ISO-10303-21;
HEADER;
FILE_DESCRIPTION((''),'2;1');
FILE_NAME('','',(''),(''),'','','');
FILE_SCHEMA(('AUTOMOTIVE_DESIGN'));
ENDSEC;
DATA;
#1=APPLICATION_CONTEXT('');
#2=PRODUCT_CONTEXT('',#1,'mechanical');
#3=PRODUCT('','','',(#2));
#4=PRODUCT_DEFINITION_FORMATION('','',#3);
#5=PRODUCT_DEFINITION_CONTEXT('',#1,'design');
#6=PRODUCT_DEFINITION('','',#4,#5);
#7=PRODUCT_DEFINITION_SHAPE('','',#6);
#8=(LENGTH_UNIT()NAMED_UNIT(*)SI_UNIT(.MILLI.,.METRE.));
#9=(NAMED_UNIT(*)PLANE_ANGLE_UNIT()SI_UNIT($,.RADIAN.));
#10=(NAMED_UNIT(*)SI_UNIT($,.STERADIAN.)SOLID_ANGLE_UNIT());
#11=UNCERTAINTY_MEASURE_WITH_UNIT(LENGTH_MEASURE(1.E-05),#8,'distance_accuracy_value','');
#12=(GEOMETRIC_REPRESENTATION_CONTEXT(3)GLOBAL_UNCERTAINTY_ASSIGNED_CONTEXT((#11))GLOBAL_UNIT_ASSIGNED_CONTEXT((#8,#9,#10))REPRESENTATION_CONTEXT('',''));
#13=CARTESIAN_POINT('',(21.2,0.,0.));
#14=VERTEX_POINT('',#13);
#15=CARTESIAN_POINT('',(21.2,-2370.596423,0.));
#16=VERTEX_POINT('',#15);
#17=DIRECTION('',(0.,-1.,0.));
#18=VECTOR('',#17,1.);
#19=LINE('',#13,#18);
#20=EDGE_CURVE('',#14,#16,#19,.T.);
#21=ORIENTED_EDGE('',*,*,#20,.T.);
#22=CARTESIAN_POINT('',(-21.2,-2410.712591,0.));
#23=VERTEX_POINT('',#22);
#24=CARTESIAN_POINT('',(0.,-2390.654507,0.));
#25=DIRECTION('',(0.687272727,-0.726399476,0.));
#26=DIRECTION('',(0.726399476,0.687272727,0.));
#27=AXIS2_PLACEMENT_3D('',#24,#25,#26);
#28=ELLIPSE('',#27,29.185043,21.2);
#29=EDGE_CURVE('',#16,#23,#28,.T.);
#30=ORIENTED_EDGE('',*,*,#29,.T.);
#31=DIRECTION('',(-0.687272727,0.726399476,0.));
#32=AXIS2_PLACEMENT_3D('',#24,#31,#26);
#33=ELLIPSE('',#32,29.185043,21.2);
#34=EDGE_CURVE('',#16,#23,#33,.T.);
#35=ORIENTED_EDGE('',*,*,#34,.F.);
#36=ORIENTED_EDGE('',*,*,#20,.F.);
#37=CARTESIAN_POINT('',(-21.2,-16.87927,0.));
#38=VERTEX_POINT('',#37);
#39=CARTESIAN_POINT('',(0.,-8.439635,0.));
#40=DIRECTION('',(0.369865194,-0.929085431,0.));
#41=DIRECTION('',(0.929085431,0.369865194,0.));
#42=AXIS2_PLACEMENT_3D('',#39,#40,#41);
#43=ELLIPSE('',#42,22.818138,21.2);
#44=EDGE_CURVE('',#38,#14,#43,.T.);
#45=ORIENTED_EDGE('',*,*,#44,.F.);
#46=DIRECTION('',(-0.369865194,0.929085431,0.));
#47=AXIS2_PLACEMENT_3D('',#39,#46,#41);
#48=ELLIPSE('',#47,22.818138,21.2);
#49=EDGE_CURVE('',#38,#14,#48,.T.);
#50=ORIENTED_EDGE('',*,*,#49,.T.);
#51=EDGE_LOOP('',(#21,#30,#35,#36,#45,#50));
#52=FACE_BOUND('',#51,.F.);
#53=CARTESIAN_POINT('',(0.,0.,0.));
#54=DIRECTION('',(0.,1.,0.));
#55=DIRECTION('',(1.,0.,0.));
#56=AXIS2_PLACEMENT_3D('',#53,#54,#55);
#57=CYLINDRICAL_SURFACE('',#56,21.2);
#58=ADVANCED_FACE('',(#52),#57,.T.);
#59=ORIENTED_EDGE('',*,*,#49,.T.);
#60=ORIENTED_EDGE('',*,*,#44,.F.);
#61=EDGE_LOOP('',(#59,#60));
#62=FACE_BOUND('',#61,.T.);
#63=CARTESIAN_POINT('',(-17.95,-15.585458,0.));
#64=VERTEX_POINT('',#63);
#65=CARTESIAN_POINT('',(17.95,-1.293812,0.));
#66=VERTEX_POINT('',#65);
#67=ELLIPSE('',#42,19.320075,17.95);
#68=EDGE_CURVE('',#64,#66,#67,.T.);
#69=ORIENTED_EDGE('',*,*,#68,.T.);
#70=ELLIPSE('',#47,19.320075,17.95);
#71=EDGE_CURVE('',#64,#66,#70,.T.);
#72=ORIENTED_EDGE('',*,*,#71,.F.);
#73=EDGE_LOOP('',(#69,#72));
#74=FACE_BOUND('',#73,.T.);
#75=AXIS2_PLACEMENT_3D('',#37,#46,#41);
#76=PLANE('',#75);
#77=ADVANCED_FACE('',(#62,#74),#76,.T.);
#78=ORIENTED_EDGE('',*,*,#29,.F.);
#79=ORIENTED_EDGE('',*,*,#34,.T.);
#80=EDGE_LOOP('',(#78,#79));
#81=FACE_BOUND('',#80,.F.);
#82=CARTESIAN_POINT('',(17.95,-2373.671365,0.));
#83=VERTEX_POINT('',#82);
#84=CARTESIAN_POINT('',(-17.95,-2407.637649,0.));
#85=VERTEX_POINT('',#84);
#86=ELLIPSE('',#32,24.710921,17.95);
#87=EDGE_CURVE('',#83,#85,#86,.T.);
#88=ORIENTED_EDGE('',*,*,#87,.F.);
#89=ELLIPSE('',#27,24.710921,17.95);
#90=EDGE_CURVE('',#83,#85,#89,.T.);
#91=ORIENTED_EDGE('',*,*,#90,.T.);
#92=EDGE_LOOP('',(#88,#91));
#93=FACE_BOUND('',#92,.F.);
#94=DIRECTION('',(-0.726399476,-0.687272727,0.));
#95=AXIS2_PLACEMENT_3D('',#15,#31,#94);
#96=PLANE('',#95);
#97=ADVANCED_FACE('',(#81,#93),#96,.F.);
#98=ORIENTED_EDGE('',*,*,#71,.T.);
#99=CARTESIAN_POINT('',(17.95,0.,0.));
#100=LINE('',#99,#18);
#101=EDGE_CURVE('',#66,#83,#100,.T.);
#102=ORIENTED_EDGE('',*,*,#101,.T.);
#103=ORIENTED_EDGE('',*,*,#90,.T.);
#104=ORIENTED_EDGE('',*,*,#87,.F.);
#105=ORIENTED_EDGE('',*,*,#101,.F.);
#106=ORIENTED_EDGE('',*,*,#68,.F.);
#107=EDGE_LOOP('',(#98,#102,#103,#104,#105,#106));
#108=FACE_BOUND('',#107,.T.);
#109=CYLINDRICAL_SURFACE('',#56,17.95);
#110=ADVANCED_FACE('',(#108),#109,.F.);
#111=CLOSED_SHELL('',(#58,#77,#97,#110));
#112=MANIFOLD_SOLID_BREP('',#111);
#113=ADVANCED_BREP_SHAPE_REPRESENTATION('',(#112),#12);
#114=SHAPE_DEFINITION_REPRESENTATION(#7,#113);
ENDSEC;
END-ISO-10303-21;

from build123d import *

# Parameters (mm, degrees)
F0_R          = 21.2
F0_R_2        = 17.95
F1_DEPTH      = 2500
F3_DEPTH      = 21.201
F3_DEPTH_BACK = 21.201
F5_DEPTH      = 21.201
F5_DEPTH_BACK = 21.201


with BuildPart() as f1:
    # F0 (on Front) → F1 (new body)
    with BuildSketch(Plane.XZ):
        Circle(F0_R)
        Circle(F0_R_2, mode=Mode.SUBTRACT)
    extrude(amount=F1_DEPTH)

    # F2 (on Top) → F3 (cut, two sides)
    with BuildSketch(Plane.XY) as f3_sk:
        Polygon((-21.2, 0), (-21.2, -16.8792704184), (21.2, 0), align=None)
    extrude(amount=-F3_DEPTH, mode=Mode.SUBTRACT)
    extrude(f3_sk.sketch, amount=F3_DEPTH_BACK, mode=Mode.SUBTRACT)

    # F4 (on Top) → F5 (cut, two sides)
    with BuildSketch(Plane.XY) as f5_sk:
        Polygon((21.2, -2500), (21.2, -2370.596422726), (-21.2, -2410.7125909795), (-21.2, -2500), align=None)
    extrude(amount=-F5_DEPTH, mode=Mode.SUBTRACT)
    extrude(f5_sk.sketch, amount=F5_DEPTH_BACK, mode=Mode.SUBTRACT)


solid = f1.part
